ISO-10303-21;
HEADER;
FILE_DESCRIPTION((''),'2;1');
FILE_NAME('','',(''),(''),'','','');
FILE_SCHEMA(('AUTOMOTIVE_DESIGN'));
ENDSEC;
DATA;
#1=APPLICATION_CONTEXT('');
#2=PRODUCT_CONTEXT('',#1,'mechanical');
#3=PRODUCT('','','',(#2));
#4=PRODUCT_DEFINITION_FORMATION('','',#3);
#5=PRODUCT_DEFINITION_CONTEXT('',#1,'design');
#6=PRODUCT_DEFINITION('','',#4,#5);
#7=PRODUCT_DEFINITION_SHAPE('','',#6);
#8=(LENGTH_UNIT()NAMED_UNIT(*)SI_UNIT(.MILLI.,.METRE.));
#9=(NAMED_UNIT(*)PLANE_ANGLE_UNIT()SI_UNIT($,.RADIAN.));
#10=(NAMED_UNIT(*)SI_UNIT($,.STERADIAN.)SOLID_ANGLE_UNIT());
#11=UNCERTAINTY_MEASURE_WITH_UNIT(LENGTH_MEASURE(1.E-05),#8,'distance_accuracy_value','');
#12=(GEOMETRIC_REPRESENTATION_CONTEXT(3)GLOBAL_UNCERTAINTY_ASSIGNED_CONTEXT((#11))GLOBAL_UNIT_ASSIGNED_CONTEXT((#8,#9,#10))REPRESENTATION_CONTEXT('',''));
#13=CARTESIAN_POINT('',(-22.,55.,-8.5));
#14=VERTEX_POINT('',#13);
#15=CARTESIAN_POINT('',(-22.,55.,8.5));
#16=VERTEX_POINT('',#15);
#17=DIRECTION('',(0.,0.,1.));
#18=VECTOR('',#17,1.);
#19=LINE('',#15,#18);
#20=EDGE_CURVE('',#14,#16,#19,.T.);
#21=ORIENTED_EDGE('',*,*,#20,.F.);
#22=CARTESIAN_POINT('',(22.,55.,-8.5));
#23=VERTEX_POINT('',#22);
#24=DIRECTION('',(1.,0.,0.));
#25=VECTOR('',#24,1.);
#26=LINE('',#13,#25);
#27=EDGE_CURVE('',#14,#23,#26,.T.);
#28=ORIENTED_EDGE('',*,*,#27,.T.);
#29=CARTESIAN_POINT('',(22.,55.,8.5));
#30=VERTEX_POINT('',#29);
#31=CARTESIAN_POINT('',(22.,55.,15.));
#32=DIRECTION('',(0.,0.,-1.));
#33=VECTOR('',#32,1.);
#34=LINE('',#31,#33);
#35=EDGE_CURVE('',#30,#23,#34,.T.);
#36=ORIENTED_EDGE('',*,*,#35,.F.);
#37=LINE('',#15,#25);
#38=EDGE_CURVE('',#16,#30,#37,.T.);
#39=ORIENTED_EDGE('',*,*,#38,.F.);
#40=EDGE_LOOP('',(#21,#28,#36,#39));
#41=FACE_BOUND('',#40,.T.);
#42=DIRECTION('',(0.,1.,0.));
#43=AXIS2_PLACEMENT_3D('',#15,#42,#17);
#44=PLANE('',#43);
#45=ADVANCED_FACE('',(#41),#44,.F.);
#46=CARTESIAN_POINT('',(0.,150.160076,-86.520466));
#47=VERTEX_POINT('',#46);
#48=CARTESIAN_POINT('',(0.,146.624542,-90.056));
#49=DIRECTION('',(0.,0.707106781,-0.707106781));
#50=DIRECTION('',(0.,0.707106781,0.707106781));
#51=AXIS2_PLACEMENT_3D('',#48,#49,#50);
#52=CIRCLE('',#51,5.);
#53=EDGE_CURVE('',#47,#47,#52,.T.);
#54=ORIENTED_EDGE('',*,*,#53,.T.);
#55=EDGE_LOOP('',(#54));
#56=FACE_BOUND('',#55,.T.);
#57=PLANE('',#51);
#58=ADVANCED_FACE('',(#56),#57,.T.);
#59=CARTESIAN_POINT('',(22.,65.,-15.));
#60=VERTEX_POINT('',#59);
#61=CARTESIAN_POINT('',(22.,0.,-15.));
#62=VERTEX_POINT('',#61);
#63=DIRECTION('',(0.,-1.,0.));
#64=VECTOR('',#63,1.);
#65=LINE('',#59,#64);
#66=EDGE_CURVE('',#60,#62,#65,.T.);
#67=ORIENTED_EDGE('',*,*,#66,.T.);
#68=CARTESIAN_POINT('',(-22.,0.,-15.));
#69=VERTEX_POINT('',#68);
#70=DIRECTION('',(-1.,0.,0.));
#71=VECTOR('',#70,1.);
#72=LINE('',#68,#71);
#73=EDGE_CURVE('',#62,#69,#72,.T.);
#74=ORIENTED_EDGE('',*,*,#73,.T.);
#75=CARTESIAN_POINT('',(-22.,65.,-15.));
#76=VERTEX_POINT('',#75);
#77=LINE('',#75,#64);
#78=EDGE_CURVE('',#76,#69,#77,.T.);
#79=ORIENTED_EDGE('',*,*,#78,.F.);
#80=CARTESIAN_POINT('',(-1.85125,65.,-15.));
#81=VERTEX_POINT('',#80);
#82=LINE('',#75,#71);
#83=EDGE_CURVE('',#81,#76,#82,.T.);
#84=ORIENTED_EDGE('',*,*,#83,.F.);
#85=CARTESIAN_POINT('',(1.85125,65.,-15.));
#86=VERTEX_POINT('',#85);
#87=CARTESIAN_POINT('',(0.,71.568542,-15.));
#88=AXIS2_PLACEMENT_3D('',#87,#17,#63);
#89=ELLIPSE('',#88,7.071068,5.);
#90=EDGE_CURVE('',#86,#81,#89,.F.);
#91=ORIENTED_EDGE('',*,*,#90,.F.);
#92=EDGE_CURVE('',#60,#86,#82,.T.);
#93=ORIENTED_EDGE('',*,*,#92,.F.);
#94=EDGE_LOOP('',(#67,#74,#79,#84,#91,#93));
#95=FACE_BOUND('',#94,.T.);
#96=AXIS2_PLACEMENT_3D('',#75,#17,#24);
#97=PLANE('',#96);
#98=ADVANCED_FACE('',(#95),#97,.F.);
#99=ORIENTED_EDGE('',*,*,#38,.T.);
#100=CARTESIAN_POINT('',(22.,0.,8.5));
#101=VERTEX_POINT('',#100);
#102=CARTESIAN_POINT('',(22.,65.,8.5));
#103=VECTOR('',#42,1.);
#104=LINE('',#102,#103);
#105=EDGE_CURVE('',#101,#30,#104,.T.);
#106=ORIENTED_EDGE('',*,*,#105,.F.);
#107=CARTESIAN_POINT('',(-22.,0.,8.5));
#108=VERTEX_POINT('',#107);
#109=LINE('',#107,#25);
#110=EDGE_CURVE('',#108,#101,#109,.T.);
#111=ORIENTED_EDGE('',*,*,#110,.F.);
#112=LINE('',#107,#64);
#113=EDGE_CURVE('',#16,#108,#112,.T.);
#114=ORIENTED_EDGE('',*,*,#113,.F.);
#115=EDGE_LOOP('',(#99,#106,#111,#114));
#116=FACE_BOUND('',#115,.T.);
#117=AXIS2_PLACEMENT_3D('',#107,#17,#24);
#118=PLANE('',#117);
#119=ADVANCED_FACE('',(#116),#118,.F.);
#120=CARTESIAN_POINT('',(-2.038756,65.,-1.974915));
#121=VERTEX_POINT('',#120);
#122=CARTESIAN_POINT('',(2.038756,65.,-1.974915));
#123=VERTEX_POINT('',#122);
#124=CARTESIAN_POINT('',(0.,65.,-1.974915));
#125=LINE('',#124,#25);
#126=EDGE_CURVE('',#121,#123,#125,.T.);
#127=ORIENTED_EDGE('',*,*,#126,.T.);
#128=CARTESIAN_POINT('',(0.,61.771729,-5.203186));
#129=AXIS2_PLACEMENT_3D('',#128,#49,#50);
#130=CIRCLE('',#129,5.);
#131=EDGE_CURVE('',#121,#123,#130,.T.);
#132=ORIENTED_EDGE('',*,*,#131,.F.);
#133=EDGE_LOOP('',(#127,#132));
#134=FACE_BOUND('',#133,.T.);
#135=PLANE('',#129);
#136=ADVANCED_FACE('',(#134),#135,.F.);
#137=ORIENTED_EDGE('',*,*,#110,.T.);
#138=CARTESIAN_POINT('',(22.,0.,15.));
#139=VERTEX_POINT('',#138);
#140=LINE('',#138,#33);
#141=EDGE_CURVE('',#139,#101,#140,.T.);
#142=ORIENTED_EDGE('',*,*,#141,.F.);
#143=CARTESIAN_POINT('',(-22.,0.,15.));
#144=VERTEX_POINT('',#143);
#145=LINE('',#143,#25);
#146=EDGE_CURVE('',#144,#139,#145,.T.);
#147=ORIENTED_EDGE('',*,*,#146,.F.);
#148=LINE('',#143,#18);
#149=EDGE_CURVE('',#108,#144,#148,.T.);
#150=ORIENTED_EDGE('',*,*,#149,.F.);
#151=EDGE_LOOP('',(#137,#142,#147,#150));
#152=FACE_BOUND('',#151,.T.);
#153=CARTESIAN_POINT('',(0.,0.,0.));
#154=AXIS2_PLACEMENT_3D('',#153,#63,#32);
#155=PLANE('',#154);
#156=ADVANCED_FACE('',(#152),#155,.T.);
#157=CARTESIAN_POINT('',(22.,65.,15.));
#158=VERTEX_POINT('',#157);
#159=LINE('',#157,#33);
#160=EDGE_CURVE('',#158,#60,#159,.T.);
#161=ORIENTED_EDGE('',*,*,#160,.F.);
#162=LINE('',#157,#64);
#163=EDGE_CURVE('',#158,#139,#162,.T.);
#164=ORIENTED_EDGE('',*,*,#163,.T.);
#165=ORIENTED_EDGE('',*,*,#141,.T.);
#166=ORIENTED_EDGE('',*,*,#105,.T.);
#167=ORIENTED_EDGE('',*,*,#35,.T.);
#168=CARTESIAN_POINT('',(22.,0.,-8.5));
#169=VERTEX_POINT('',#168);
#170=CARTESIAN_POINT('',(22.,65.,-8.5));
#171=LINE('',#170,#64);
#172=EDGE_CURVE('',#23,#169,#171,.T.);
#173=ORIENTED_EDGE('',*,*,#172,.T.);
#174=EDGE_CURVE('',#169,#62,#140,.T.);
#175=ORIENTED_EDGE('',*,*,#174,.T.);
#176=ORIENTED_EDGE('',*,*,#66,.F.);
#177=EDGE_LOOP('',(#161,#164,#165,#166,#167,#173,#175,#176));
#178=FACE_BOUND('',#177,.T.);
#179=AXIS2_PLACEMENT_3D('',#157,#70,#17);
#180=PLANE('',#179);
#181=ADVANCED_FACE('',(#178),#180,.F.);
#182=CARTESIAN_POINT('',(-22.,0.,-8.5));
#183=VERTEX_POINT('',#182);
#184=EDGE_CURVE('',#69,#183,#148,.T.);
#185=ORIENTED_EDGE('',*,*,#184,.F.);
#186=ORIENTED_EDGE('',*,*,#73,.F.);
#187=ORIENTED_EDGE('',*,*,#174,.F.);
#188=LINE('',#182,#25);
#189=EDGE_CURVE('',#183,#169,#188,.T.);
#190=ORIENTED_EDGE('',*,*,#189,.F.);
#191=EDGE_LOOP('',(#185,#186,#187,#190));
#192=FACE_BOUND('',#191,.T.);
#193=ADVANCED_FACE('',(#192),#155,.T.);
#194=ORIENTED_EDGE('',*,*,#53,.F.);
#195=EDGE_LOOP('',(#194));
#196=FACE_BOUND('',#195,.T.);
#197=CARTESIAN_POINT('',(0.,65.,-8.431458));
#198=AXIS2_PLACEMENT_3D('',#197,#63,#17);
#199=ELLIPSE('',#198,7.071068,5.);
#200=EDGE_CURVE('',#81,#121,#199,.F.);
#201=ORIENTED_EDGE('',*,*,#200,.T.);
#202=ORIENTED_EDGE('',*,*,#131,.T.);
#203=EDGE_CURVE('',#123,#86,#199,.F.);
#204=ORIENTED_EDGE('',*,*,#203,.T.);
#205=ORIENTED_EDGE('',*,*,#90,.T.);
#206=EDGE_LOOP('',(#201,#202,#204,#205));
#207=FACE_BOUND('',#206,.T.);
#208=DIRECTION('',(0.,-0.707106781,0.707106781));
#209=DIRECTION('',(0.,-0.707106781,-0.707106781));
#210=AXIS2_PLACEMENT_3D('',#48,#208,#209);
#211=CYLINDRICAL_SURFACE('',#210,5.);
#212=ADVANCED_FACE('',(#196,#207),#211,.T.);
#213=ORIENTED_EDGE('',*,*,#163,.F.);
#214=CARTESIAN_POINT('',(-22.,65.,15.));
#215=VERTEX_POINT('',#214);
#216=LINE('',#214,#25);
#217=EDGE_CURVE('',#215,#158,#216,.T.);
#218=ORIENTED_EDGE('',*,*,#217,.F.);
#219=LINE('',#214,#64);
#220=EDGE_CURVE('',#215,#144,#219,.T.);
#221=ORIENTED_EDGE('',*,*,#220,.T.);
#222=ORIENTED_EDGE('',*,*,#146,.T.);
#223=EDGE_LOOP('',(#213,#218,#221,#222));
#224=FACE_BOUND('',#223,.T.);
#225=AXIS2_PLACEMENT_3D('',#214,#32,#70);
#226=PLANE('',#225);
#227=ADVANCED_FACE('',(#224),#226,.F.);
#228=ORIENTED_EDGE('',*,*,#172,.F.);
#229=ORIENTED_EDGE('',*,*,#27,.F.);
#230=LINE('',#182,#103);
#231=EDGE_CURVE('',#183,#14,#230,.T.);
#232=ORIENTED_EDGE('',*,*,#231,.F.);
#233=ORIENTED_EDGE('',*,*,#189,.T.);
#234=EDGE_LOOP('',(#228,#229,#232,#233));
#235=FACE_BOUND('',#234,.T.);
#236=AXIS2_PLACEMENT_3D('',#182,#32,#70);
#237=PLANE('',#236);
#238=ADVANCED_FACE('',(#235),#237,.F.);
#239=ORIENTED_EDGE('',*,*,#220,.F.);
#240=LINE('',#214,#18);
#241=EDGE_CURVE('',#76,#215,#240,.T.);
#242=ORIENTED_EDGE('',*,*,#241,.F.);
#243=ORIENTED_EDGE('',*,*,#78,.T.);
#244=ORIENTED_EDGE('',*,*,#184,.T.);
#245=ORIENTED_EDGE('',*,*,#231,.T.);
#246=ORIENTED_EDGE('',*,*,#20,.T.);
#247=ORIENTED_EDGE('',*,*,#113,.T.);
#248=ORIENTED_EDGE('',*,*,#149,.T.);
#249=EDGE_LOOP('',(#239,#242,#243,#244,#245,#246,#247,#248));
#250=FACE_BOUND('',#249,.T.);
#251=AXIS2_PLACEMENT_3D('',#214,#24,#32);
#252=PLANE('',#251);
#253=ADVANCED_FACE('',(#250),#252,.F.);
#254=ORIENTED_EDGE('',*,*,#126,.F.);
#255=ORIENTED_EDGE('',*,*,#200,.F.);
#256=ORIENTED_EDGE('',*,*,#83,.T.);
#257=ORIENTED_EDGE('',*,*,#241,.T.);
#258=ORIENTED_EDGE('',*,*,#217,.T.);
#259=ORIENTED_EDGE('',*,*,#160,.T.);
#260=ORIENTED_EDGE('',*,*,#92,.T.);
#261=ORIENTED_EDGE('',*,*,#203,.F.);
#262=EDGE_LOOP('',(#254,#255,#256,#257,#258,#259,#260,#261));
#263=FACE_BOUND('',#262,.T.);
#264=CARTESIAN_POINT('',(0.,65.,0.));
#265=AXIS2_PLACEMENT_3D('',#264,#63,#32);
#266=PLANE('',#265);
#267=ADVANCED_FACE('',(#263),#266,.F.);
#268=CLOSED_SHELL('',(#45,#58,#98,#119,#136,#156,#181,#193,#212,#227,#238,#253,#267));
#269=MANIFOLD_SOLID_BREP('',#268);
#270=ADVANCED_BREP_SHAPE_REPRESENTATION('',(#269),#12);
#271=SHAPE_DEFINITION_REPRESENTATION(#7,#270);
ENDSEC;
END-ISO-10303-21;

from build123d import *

# Parameters (mm, degrees)
SKETCH1_W               = 44
SKETCH1_H               = 30
BOSS_EXTRUDE1_DEPTH     = 65
CUT_EXTRUDE1_DEPTH      = 80.912452096
CUT_EXTRUDE1_DEPTH_BACK = 80.912452096
SKETCH2_W               = 17
SKETCH2_H               = 55
SKETCH3_R               = 5
BOSS_EXTRUDE2_DEPTH     = 120
SKETCH3_2_R             = 5
BOSS_EXTRUDE3_DEPTH     = 120


with BuildPart() as part:
    # Sketch1 → Boss-Extrude1 (new body)
    with BuildSketch(Plane(origin=(0, 0, 0), x_dir=(1, 0, 0), z_dir=(0, 1, 0))):
        Rectangle(SKETCH1_W, SKETCH1_H)
    extrude(amount=BOSS_EXTRUDE1_DEPTH)

    # Sketch2 → Cut-Extrude1 (cut, two sides: drawn at the far end of the back side and taken through both)
    with BuildSketch(Plane(origin=(22, 0, 0), x_dir=(0, 0, -1), z_dir=(1, 0, 0)).offset(-CUT_EXTRUDE1_DEPTH_BACK)):
        with Locations((0, 27.5)):
            Rectangle(SKETCH2_W, SKETCH2_H)
    extrude(amount=CUT_EXTRUDE1_DEPTH + CUT_EXTRUDE1_DEPTH_BACK, mode=Mode.SUBTRACT)

    # Sketch3 → Boss-Extrude2 (add)
    with BuildSketch(Plane(origin=(0, 33.487457391, -33.487457391), x_dir=(8.429181601007666e-15, -0.7071067811865441, -0.707106781186551), z_dir=(-8.648297214624002e-15, 0.707106781186551, -0.7071067811865441))):
        with Locations((-40, 0)):
            Circle(SKETCH3_R)
    extrude(amount=BOSS_EXTRUDE2_DEPTH)

    # Sketch3<2> → Boss-Extrude3 (add)
    with BuildSketch(Plane(origin=(0, 33.487457391, -33.487457391), x_dir=(8.429181601007666e-15, -0.7071067811865441, -0.707106781186551), z_dir=(-8.648297214624002e-15, 0.707106781186551, -0.7071067811865441))):
        with Locations((-40, 0)):
            Circle(SKETCH3_2_R)
    extrude(amount=BOSS_EXTRUDE3_DEPTH)


solid = part.part
